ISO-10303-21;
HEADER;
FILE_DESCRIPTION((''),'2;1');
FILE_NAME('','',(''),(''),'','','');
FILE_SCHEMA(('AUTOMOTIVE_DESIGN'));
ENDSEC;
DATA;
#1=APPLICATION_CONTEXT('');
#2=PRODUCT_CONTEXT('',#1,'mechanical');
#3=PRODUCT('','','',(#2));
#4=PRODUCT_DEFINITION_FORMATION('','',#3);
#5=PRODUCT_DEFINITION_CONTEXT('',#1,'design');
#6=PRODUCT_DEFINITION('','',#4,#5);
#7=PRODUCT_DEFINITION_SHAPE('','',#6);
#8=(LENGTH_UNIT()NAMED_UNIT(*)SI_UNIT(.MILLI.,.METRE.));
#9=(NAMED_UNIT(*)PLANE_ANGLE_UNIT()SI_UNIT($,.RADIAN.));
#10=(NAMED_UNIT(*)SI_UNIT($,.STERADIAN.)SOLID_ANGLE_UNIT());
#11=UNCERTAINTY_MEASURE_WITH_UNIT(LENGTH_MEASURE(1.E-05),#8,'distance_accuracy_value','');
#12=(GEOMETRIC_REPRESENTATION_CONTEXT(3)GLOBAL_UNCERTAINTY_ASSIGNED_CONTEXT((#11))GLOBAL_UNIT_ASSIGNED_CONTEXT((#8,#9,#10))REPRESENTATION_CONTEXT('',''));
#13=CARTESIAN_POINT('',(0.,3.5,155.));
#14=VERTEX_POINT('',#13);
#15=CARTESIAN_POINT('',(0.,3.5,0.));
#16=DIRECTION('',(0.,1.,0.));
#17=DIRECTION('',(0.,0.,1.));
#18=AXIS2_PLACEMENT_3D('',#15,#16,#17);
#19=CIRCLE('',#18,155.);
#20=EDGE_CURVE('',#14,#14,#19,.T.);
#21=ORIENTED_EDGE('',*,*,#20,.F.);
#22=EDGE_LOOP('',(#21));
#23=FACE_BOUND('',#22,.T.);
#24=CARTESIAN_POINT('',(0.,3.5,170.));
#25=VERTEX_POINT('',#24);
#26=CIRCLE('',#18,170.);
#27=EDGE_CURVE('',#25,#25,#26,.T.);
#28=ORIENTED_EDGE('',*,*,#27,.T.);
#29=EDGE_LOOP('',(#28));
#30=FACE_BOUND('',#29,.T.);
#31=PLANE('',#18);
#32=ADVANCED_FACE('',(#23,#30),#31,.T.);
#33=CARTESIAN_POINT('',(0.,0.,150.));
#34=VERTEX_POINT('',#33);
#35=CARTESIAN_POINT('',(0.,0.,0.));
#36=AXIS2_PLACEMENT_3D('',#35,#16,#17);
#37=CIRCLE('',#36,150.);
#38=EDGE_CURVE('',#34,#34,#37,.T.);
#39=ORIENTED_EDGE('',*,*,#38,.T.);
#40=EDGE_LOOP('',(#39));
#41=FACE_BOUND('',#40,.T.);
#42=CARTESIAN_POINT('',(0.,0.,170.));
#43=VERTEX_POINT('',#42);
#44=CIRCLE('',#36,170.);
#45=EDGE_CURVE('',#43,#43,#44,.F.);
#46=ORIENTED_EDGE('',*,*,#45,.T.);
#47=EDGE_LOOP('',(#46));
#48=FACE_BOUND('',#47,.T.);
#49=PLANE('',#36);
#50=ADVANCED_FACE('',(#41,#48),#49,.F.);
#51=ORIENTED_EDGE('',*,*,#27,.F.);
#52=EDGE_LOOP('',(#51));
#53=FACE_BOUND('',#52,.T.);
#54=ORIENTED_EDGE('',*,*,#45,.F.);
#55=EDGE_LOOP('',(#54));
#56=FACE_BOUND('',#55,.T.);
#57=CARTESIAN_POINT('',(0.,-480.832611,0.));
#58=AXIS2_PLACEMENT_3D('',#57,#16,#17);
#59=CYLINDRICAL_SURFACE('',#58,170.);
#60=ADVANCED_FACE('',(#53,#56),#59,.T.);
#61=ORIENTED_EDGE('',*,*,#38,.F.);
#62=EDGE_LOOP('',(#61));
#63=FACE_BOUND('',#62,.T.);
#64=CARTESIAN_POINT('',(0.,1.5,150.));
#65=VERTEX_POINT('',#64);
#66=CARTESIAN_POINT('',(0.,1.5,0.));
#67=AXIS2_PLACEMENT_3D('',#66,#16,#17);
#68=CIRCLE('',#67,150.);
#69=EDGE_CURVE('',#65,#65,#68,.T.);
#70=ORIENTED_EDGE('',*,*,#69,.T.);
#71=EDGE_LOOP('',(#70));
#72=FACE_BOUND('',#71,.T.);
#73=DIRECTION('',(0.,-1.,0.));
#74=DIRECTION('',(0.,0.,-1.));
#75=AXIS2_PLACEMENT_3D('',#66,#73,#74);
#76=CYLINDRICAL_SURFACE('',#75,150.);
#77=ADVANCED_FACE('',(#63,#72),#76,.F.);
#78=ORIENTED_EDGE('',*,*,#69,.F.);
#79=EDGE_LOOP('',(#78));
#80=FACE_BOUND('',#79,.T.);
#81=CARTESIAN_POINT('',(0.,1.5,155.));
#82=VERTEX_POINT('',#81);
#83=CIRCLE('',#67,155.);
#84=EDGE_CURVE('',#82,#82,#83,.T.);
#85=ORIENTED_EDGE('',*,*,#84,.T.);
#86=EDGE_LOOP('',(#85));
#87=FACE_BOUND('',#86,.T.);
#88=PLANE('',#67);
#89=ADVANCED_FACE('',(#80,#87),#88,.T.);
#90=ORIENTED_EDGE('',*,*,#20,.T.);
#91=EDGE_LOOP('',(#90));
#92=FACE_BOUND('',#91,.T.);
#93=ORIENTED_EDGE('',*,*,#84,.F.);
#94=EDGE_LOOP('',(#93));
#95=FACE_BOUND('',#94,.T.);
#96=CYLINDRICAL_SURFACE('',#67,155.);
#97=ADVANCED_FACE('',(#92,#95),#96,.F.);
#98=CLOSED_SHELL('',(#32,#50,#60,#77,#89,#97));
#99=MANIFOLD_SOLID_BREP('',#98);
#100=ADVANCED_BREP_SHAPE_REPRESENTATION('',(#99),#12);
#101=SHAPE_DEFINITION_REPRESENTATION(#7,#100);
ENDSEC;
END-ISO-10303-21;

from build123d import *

# Parameters (mm, degrees)
SKETCH_1_R          = 160
SKETCH_1_R_2        = 150
EXTRUDE_1_DEPTH     = 1.5
SKETCH_2_R          = 160
SKETCH_2_R_2        = 152.5
EXTRUDE_2_DEPTH     = 2
SKETCH_3_R          = 170
SKETCH_3_R_2        = 160
EXTRUDE_3_DEPTH     = 3.5
SKETCH_4_R          = 155
SKETCH_4_R_2        = 152.5
CUT_EXTRUDE_1_DEPTH = 2


with BuildPart() as part:
    # ｽｹｯﾁ1 → ﾎﾞｽ - 押し出し1 (new body)
    with BuildSketch(Plane(origin=(0, 0, 0), x_dir=(1, 0, 0), z_dir=(0, 1, 0))):
        Circle(SKETCH_1_R)
        Circle(SKETCH_1_R_2, mode=Mode.SUBTRACT)
    extrude(amount=EXTRUDE_1_DEPTH)

    # ｽｹｯﾁ2 → ﾎﾞｽ - 押し出し2 (add)
    with BuildSketch(Plane(origin=(0, 1.5, 0), x_dir=(1, 0, 0), z_dir=(0, 1, 0))):
        Circle(SKETCH_2_R)
        Circle(SKETCH_2_R_2, mode=Mode.SUBTRACT)
    extrude(amount=EXTRUDE_2_DEPTH)

    # ｽｹｯﾁ3 → ﾎﾞｽ - 押し出し3 (add)
    with BuildSketch(Plane(origin=(0, 3.5, 0), x_dir=(1, 0, 0), z_dir=(0, 1, 0))):
        Circle(SKETCH_3_R)
        Circle(SKETCH_3_R_2, mode=Mode.SUBTRACT)
    extrude(amount=-EXTRUDE_3_DEPTH)

    # ｽｹｯﾁ4 → ｶｯﾄ - 押し出し1 (cut)
    with BuildSketch(Plane(origin=(0, 3.5, 0), x_dir=(1, 0, 0), z_dir=(0, 1, 0))):
        Circle(SKETCH_4_R)
        Circle(SKETCH_4_R_2, mode=Mode.SUBTRACT)
    extrude(amount=-CUT_EXTRUDE_1_DEPTH, mode=Mode.SUBTRACT)


solid = part.part
